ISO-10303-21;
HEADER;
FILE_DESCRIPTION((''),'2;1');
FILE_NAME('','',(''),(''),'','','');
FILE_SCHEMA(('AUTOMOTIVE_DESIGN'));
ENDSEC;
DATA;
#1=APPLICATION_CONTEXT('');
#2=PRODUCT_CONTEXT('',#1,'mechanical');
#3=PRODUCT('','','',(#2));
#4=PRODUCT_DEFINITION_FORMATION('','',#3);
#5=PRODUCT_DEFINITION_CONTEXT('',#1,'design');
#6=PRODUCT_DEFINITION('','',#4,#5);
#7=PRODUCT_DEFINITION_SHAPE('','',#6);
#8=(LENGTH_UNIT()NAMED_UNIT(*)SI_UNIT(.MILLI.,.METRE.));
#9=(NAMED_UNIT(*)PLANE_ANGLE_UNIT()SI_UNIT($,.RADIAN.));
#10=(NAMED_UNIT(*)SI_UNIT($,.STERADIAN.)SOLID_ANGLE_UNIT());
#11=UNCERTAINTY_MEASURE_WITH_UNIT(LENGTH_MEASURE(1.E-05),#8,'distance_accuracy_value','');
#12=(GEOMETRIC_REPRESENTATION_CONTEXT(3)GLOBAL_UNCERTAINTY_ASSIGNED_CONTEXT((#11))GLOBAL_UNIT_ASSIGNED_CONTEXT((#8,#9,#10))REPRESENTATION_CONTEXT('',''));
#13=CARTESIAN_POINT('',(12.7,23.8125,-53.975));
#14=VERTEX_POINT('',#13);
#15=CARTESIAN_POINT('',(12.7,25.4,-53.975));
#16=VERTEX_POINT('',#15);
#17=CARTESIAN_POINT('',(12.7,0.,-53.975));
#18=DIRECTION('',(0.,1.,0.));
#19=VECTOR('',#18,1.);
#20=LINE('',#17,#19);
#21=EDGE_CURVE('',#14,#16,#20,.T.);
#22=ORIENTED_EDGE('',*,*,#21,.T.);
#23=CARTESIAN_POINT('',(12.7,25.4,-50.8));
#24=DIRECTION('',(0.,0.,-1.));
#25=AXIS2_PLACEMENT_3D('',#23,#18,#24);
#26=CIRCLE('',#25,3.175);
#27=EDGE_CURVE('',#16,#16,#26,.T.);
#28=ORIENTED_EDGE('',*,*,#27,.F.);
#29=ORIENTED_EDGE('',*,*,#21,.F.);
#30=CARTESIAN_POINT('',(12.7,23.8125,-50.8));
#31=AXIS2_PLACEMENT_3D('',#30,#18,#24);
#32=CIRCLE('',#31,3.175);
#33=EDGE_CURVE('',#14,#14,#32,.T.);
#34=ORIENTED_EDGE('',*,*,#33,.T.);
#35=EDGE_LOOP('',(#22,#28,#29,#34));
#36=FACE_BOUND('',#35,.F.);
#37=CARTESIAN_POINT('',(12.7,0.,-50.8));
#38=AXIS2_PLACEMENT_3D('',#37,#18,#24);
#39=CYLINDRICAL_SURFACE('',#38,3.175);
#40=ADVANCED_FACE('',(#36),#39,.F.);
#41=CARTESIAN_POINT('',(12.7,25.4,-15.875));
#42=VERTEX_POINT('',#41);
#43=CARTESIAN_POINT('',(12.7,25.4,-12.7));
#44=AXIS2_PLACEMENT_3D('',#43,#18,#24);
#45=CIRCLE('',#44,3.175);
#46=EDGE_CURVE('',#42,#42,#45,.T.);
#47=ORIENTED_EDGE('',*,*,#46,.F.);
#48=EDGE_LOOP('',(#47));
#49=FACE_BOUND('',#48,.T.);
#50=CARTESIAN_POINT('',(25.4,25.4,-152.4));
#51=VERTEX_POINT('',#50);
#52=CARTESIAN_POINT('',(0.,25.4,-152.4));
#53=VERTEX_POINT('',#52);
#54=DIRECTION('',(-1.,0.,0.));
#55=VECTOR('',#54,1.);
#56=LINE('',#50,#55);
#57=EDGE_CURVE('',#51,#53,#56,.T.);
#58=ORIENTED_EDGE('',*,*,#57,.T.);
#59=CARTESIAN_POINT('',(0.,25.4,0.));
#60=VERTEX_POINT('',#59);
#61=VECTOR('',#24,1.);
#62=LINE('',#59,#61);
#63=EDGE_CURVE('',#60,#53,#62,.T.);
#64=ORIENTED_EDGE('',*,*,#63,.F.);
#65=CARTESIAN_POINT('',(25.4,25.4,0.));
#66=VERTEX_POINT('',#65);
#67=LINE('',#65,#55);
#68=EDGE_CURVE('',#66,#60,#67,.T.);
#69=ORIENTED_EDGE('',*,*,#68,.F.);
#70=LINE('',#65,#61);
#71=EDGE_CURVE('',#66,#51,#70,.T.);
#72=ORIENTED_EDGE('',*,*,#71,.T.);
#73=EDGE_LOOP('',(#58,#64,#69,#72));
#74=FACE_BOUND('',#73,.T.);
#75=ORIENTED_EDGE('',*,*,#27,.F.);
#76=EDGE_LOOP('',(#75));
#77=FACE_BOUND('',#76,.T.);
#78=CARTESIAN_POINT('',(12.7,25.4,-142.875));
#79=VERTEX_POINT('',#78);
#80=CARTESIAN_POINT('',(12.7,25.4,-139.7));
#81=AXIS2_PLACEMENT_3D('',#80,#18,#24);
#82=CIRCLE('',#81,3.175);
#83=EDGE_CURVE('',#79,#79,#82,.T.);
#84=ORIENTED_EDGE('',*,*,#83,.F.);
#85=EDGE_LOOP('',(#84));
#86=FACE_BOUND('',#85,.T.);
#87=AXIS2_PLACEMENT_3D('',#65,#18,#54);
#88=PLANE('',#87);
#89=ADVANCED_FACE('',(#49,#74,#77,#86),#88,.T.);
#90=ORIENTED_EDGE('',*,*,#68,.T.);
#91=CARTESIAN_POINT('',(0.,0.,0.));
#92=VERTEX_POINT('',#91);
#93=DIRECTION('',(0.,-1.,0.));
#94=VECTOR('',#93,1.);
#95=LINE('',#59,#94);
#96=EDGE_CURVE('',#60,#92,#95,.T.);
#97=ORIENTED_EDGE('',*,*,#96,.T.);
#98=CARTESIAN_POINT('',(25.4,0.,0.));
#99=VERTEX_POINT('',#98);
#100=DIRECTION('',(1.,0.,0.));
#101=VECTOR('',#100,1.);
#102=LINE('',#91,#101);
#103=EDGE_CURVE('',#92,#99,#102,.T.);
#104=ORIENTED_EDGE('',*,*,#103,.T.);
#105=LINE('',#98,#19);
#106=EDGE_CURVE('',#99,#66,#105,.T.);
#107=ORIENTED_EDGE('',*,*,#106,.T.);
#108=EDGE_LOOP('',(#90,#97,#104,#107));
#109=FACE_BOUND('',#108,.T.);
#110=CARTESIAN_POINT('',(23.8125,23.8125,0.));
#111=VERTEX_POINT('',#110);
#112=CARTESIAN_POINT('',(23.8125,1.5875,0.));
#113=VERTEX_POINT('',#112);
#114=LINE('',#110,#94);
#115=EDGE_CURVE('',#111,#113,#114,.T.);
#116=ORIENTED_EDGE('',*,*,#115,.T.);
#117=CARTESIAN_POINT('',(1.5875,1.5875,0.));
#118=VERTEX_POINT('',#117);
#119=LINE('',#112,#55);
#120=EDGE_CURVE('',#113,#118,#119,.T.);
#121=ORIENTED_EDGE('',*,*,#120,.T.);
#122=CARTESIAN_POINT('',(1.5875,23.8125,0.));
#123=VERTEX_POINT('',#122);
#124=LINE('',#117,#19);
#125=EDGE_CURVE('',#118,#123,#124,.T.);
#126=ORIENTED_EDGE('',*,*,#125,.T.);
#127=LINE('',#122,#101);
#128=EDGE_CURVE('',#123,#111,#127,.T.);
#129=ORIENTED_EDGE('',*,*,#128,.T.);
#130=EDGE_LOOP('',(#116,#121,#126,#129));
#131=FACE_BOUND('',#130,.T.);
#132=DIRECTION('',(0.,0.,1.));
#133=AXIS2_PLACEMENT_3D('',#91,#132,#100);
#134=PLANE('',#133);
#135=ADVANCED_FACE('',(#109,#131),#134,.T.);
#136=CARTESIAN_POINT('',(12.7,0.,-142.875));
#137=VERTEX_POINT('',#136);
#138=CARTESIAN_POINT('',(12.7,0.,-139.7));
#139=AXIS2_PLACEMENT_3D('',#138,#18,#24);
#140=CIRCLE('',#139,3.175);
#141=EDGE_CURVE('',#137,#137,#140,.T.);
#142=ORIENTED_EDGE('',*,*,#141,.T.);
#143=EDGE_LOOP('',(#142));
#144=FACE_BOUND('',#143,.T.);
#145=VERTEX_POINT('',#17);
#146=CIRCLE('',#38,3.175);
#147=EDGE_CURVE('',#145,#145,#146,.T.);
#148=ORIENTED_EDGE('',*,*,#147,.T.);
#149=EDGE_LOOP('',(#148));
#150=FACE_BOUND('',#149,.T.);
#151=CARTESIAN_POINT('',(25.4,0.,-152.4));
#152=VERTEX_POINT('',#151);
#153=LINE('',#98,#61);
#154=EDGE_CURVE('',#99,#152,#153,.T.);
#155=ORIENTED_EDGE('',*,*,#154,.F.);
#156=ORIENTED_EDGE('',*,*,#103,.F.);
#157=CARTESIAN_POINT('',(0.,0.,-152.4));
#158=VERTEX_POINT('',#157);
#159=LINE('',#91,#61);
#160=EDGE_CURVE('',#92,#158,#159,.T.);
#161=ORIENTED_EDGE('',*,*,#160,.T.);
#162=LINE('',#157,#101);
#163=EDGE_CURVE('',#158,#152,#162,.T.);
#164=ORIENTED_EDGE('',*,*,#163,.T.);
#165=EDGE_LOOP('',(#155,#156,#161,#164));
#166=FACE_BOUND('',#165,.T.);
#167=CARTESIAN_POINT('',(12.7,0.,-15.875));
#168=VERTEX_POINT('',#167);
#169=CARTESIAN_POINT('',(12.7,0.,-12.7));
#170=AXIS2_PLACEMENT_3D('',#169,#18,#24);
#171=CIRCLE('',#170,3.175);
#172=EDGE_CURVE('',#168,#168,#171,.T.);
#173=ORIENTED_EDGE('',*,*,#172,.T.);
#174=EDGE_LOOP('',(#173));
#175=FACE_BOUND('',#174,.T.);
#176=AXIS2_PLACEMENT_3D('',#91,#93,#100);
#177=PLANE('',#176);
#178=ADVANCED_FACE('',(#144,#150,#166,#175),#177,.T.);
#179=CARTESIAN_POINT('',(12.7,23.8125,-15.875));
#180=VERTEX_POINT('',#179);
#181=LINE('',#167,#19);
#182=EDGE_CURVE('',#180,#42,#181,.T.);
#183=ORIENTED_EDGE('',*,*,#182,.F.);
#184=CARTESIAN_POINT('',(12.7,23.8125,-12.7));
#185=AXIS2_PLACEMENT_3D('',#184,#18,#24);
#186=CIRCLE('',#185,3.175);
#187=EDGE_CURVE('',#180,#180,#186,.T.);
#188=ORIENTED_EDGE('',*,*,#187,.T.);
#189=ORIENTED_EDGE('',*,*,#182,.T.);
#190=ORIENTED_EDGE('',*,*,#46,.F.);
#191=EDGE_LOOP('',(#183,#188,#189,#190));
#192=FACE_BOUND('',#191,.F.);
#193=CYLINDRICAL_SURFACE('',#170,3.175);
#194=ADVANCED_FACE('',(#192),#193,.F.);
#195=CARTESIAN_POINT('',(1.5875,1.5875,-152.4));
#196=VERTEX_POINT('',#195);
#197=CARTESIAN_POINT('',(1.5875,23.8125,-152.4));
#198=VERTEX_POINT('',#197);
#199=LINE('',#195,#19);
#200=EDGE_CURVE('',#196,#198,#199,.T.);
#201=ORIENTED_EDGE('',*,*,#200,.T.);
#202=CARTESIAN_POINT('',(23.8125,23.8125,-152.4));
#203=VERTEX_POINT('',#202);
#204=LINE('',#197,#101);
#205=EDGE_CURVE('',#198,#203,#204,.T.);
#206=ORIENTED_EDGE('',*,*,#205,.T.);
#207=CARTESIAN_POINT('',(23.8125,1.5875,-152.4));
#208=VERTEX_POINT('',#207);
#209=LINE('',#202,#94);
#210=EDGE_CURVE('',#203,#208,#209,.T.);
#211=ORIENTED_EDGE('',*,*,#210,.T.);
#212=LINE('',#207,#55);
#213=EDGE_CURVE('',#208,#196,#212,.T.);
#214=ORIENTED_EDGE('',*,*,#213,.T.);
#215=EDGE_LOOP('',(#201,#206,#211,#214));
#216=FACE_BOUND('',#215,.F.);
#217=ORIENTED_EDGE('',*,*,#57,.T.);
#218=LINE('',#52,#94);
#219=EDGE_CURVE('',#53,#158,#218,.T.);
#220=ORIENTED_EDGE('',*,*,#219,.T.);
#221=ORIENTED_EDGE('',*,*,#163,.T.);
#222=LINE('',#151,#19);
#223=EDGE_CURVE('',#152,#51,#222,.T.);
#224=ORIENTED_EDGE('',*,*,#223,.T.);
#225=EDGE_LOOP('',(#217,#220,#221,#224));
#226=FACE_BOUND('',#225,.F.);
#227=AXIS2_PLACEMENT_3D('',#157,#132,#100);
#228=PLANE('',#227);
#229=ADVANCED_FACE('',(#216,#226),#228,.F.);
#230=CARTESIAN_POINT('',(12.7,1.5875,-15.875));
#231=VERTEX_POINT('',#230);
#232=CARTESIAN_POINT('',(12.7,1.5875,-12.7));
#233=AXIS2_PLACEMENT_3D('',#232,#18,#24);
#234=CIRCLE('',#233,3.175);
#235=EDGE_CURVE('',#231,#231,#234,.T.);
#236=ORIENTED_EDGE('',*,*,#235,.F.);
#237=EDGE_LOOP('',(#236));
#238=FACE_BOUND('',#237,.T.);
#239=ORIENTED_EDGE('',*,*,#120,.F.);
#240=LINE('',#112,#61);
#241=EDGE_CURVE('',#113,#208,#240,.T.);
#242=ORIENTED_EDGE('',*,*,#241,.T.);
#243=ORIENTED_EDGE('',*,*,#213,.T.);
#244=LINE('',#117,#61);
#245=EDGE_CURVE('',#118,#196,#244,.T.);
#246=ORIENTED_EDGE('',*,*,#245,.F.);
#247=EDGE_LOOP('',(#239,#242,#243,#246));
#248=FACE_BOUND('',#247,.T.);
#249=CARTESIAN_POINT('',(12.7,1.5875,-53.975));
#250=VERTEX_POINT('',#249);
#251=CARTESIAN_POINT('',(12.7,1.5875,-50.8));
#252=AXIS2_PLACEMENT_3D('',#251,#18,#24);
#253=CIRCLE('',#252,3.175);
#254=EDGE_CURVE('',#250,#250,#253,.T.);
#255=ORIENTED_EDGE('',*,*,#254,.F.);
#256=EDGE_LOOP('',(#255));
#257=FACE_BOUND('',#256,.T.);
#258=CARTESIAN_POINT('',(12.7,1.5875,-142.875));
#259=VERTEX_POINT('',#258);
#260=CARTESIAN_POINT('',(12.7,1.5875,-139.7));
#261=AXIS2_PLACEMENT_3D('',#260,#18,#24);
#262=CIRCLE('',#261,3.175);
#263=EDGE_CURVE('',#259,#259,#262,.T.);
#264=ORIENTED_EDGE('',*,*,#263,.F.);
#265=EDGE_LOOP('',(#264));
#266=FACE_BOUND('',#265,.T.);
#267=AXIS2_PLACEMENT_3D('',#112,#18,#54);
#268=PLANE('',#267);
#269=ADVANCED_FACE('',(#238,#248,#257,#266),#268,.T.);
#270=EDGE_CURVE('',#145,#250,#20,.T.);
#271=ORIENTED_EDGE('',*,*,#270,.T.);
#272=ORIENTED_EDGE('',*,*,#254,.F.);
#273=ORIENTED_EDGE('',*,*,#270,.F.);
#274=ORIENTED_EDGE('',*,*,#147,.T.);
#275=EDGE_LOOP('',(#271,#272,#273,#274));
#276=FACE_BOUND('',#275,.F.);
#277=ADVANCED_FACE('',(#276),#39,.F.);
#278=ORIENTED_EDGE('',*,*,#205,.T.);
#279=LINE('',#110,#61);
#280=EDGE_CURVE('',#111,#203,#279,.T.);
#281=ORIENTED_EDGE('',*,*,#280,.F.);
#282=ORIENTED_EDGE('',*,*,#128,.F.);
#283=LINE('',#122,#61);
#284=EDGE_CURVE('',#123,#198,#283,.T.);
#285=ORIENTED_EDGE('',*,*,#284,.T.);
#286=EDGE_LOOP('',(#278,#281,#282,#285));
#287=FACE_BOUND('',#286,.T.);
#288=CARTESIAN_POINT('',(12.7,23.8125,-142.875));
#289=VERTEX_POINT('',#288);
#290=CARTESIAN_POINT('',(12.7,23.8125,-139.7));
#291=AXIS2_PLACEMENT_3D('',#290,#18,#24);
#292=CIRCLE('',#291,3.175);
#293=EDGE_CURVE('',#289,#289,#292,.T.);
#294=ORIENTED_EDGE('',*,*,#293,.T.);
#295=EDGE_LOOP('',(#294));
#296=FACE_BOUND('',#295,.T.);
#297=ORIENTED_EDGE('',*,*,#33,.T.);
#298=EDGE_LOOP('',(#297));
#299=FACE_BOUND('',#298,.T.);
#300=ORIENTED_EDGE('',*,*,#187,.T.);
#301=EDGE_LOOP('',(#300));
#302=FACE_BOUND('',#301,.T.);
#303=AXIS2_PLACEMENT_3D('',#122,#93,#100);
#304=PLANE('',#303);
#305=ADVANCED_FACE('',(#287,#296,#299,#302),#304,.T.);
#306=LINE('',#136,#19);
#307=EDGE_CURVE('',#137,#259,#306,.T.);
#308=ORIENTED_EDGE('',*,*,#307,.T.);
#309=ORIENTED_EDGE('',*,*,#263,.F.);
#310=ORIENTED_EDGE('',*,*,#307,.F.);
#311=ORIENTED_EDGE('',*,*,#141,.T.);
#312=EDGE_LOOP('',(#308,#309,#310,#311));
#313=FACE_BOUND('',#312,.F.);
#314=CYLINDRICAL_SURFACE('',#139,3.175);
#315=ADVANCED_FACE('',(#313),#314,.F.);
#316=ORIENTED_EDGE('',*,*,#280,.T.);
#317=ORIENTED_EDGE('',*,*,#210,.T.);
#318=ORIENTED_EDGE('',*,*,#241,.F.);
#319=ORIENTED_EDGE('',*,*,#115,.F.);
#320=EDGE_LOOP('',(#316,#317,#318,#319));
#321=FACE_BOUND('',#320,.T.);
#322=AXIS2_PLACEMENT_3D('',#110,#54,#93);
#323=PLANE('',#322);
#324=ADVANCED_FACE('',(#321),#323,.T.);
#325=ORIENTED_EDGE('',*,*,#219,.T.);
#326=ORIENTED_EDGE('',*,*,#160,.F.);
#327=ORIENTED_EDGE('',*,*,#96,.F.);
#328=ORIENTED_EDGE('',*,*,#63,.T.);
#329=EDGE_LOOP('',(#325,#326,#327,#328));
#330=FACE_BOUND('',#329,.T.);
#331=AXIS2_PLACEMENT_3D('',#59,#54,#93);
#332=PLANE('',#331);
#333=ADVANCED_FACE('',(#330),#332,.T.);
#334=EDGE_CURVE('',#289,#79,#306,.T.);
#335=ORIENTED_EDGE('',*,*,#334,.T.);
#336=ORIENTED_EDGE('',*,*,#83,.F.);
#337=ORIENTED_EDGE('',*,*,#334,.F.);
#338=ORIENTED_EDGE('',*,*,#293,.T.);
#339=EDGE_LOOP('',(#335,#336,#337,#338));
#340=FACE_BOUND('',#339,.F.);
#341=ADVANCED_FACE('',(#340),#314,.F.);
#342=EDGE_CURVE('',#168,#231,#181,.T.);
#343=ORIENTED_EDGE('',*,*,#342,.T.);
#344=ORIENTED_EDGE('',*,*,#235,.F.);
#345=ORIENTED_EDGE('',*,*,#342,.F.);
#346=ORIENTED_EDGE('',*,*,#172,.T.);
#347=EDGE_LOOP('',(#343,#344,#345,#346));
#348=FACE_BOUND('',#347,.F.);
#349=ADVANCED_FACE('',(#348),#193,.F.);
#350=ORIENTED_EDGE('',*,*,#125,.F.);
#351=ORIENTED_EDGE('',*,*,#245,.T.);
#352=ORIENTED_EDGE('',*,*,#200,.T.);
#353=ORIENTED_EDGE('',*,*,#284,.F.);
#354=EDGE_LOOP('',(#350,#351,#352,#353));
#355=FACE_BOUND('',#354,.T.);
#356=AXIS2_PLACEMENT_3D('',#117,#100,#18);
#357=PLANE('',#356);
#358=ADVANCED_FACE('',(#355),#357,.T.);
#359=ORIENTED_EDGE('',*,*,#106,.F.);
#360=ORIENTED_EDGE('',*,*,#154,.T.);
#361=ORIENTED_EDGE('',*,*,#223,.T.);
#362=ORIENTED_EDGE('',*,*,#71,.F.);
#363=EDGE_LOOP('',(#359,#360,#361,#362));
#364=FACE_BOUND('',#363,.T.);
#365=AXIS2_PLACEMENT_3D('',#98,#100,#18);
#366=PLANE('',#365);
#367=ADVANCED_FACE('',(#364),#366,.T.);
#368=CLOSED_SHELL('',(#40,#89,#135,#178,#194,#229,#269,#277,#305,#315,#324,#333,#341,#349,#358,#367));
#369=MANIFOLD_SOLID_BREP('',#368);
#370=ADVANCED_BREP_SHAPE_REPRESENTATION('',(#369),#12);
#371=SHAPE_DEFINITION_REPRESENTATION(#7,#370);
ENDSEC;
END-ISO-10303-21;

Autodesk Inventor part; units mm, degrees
ref_plane "YZ Plane" through (0, 0, 0) normal (1, 0, 0) x (0, 1, 0)
ref_plane "XZ Plane" through (0, 0, 0) normal (0, 1, 0) x (-1, 0, 0)
ref_plane "XY Plane" through (0, 0, 0) normal (0, 0, 1) x (1, 0, 0)
sketch "Sketch1" plane through (0, 0, 0) normal (0, 0, 1) x (1, 0, 0)
  line L0 (0, 0) -> (25.4, 0)
  line L1 (25.4, 0) -> (25.4, 25.4)
  line L2 (25.4, 25.4) -> (0, 25.4)
  line L3 (0, 25.4) -> (0, 0)
  line L4 (1.5875, 23.8125) -> (23.8125, 23.8125)
  line L5 (23.8125, 23.8125) -> (23.8125, 1.5875)
  line L6 (23.8125, 1.5875) -> (1.5875, 1.5875)
  line L7 (1.5875, 1.5875) -> (1.5875, 23.8125)
  dimension "d0" = 25.4
  dimension "d1" = 25.4
  dimension "d2" = 1.5875
extrude "Extrusion1" add sketch "Sketch1" against normal blind 152.4
sketch "Sketch3" plane through (0, 0, 0) normal (0, -1, 0) x (1, 0, 0)
  line L0 (0, -152.4) -> (25.4, -152.4) projected
  line L1 (0, 0) -> (25.4, 0) projected
  line L2 (25.4, 0) -> (25.4, -152.4) projected
  point P0 (12.7, -12.7)
  point P1 (12.7, -139.7)
  point P2 (12.7, -50.8)
  dimension "d7" = 12.7
  dimension "d8" = 12.7
  dimension "d23" = 38.1
  dimension "d24" = 12.7
hole "Hole2" at (12.7, 0, -12.7) at (12.7, 0, -139.7) at (12.7, 0, -50.8) direction (0, 1, 0) diameter 6.35 depth 25.4 tip angle 118
properties part number "tube_f_l_out_wheel"
